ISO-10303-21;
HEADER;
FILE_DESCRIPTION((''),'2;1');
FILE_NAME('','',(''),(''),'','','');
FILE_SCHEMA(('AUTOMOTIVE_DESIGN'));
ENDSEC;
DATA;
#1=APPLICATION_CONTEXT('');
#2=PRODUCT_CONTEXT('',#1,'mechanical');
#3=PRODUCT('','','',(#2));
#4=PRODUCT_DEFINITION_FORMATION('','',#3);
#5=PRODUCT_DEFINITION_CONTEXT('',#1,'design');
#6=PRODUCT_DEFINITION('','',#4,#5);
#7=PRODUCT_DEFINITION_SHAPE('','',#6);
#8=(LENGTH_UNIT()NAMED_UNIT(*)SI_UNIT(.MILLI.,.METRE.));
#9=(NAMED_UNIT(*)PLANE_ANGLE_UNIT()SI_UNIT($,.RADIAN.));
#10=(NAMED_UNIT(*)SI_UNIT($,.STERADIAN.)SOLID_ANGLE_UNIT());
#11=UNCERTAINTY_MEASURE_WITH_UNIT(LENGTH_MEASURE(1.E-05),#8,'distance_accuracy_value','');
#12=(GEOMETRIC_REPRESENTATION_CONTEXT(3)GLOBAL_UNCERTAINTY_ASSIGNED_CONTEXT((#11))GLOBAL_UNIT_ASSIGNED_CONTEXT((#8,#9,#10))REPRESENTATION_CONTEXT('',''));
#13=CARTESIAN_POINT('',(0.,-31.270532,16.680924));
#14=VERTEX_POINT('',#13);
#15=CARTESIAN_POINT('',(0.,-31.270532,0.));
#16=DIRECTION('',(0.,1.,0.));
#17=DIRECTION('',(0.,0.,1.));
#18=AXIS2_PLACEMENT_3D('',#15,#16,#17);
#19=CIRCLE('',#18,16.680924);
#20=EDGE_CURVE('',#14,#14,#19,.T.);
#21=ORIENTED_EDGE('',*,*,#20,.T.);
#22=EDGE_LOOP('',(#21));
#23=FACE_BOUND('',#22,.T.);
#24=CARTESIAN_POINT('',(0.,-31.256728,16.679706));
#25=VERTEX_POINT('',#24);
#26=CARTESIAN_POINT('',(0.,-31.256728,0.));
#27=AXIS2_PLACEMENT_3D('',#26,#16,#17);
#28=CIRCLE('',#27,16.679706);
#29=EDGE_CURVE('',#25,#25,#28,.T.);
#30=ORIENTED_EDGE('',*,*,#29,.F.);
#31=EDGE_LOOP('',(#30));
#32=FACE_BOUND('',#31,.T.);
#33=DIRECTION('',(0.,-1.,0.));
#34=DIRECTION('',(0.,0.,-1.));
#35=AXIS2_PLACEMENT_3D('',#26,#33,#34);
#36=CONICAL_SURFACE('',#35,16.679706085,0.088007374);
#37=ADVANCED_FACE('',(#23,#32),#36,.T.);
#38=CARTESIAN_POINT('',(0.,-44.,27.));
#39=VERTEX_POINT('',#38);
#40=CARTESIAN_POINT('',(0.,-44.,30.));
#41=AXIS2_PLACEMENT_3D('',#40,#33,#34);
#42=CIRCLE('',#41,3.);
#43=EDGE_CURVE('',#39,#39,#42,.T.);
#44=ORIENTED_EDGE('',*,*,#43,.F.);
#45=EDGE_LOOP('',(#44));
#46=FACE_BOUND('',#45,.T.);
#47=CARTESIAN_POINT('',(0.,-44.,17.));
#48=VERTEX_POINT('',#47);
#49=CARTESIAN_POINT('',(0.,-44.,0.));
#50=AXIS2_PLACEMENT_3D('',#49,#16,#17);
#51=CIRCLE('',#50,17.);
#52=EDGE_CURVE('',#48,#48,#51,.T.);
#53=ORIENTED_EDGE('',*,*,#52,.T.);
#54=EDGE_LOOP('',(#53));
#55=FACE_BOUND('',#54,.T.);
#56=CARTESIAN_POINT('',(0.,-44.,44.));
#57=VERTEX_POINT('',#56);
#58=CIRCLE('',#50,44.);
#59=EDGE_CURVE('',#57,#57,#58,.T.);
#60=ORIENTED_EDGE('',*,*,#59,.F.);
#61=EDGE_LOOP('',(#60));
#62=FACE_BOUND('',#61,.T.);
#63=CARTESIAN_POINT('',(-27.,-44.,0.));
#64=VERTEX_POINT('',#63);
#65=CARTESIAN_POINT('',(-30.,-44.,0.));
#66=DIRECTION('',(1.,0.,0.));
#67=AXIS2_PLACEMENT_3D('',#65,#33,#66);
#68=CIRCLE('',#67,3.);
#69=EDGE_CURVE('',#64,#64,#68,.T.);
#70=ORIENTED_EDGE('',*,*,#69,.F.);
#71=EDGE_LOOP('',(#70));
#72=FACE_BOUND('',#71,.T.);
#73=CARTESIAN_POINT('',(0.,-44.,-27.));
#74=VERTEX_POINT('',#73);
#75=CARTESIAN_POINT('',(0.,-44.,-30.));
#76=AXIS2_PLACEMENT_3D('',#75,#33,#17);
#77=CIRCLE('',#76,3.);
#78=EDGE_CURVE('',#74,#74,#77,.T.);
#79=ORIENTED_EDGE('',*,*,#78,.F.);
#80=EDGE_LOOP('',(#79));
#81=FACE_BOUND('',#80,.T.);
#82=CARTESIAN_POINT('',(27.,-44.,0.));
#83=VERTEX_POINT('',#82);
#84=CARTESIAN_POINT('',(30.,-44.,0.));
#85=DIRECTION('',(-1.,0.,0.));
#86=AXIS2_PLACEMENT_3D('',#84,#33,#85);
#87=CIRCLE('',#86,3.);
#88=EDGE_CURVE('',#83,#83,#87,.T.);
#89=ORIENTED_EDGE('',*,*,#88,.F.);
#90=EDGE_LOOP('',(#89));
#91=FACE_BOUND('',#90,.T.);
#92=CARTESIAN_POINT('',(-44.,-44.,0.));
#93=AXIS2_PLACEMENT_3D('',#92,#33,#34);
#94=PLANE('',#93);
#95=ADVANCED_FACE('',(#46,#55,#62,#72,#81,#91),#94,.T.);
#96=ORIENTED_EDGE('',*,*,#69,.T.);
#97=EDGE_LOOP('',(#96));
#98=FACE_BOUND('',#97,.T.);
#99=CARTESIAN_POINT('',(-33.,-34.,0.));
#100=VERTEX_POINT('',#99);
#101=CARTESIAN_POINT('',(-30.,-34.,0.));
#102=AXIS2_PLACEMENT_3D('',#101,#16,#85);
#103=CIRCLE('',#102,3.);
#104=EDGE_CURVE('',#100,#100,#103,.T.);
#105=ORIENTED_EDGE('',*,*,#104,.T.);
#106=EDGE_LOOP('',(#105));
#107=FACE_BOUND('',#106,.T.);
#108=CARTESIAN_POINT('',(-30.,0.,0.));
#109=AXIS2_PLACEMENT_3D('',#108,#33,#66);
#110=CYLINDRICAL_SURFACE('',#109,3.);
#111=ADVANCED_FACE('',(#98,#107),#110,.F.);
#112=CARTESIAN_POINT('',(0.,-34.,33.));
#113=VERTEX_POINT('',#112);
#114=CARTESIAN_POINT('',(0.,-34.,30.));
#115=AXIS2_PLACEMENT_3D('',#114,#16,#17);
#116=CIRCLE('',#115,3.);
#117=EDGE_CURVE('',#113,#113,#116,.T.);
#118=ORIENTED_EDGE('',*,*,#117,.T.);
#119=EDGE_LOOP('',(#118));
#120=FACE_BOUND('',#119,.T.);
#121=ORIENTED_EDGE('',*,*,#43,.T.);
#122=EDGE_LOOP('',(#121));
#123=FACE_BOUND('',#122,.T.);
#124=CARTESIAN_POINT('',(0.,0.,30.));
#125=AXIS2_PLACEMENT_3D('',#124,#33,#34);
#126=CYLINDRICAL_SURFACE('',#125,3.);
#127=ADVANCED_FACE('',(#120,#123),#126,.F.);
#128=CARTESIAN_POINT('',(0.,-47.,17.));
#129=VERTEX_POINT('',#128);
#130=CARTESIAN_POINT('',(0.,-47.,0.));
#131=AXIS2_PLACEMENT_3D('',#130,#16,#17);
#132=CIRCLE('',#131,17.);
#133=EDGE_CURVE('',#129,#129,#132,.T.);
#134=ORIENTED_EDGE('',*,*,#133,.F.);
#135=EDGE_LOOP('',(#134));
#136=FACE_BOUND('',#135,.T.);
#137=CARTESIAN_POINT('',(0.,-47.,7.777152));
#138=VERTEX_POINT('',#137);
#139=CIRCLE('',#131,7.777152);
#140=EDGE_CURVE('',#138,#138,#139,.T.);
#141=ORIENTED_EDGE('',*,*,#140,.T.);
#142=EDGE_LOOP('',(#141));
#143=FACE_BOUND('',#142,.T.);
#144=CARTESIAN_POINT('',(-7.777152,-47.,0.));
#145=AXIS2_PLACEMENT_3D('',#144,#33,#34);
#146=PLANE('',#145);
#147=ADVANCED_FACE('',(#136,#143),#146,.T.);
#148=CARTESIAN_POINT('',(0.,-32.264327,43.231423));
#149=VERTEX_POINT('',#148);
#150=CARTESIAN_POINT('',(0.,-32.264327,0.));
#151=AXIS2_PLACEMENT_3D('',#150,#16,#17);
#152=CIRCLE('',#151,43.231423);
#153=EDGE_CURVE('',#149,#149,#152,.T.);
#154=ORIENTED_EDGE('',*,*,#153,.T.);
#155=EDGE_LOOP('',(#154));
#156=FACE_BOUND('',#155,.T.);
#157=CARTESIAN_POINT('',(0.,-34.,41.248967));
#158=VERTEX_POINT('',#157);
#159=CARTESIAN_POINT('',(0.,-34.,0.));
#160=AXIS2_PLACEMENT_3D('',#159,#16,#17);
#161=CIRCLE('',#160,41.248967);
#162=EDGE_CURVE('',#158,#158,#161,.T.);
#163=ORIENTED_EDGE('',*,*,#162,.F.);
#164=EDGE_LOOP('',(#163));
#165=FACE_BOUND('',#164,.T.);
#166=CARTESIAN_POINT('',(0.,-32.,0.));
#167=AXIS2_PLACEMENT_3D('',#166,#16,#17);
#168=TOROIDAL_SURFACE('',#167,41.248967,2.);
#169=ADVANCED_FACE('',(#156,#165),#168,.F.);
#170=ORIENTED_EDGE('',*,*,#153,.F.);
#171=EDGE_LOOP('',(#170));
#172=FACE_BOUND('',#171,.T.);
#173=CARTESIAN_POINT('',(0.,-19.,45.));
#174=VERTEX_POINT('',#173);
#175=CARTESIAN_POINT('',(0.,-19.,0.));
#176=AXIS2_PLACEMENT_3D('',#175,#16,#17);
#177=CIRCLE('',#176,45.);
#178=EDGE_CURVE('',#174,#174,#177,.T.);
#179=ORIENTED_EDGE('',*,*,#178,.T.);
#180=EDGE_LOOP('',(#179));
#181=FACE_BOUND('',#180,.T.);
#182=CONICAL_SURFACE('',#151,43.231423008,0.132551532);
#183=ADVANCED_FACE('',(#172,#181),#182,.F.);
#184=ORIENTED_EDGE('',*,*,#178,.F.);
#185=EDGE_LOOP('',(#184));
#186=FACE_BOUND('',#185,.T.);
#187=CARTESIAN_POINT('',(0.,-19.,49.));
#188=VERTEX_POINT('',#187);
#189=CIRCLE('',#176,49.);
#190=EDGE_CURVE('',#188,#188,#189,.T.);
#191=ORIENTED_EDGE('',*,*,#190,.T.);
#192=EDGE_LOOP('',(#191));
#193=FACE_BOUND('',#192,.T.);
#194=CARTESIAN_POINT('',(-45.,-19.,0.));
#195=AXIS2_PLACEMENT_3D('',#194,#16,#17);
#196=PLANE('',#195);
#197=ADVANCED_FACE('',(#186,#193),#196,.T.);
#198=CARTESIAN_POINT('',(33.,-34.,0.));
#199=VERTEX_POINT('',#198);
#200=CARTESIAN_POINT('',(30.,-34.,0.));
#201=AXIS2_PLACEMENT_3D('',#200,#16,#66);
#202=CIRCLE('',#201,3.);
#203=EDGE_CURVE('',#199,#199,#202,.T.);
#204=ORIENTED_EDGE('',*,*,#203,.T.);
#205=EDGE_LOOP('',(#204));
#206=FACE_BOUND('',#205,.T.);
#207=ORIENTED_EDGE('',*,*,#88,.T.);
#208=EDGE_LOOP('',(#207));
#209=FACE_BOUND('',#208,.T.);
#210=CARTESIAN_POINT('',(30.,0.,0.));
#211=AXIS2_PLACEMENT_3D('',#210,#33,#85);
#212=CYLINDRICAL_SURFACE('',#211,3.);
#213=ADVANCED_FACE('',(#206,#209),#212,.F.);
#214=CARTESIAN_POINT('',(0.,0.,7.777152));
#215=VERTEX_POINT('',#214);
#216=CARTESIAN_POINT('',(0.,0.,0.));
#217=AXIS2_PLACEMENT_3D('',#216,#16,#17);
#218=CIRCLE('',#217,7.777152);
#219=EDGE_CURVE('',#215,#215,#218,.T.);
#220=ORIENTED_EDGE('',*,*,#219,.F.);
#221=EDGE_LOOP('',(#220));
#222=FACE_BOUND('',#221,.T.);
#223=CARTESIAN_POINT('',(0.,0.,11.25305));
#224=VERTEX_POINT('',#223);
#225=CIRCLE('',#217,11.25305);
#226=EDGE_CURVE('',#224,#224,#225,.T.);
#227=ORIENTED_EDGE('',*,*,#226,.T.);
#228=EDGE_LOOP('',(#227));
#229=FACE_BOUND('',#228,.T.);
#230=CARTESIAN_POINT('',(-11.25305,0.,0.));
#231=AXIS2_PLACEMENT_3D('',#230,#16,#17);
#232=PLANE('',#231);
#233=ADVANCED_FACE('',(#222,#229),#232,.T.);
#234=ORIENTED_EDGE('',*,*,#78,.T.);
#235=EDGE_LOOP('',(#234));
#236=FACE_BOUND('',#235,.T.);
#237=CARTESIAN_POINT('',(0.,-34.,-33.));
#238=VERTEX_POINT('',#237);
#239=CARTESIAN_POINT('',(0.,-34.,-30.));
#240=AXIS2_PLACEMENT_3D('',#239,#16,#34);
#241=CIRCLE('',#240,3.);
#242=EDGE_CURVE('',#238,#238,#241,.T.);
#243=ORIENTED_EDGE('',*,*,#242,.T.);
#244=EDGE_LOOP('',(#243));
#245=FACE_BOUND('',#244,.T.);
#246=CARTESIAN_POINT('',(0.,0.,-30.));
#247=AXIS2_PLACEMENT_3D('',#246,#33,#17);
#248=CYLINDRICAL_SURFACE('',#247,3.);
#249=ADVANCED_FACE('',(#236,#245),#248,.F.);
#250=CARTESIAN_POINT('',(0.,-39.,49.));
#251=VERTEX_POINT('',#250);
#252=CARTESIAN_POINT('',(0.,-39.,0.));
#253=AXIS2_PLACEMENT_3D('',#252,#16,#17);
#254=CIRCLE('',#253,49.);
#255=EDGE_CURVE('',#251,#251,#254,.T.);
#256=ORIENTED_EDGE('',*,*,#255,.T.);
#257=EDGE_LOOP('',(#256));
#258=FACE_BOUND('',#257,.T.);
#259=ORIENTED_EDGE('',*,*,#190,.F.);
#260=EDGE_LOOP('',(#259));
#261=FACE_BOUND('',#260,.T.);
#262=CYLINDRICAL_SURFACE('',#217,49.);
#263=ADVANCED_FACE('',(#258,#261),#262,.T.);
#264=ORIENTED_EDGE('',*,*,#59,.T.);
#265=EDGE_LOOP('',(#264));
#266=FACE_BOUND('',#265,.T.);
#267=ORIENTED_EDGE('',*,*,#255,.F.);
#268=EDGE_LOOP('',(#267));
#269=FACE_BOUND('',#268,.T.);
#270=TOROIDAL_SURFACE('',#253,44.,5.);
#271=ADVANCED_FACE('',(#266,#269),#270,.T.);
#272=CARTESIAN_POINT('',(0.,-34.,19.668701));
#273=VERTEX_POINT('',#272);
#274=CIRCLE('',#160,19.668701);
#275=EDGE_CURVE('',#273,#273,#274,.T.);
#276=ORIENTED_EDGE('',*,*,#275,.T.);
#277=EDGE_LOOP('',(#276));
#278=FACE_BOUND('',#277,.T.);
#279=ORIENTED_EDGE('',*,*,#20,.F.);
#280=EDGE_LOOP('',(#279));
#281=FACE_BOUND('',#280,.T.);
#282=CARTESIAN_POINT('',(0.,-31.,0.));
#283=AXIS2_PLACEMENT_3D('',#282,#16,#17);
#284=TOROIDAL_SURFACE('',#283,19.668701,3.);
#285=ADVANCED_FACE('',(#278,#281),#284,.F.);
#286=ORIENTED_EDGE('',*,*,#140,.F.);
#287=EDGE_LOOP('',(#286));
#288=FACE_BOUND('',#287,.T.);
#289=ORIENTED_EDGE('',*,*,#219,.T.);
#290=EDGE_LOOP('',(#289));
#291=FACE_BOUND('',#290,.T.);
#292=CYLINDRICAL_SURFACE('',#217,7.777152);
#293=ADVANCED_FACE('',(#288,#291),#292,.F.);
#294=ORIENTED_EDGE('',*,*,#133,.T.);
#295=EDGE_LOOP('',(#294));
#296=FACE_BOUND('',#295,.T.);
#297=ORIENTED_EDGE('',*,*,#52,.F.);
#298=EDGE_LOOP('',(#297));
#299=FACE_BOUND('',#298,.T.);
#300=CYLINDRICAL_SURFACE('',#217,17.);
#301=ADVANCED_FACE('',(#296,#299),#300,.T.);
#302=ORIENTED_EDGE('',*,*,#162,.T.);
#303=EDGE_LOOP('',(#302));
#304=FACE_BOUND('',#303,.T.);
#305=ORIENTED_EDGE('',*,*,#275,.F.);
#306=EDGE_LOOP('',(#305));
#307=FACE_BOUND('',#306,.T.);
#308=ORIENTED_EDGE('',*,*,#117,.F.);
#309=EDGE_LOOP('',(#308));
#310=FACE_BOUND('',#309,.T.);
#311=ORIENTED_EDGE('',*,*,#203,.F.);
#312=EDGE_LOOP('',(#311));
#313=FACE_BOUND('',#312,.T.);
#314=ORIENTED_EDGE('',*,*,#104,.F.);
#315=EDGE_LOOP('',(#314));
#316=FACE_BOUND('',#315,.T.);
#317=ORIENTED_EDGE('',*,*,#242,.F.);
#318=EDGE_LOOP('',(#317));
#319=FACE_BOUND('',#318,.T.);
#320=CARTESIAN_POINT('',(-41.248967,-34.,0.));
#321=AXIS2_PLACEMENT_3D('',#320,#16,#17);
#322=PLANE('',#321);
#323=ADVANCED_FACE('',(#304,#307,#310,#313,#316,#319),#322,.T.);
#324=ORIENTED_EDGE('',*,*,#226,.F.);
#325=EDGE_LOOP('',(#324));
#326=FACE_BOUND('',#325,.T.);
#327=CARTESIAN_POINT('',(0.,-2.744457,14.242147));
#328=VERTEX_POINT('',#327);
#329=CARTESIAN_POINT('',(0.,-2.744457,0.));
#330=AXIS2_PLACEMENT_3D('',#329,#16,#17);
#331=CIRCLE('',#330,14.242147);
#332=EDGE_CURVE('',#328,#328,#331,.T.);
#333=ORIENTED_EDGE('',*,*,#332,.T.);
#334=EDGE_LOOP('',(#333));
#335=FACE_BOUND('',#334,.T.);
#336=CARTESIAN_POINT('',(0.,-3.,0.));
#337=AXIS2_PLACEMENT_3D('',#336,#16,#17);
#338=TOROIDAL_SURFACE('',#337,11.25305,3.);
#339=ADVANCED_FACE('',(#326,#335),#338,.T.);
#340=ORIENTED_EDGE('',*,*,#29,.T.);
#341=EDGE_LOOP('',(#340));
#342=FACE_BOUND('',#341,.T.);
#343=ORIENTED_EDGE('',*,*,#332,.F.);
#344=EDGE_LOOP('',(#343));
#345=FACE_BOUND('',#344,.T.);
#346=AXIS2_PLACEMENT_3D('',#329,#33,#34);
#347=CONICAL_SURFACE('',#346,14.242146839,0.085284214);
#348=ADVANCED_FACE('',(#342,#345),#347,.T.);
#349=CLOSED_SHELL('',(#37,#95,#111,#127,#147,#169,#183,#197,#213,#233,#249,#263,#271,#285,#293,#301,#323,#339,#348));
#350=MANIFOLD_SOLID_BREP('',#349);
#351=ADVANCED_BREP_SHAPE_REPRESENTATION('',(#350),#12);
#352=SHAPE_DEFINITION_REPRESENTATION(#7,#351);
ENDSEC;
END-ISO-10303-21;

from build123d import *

# Parameters (mm, degrees)
CUT_EXTRUDE2_START = -45
SKETCH6_R          = 3
CUT_EXTRUDE2_DEPTH = 49
CIRPATTERN2_COUNT  = 4


with BuildPart() as part:
    # Sketch3 → Revolve3 (revolve)
    with BuildSketch(Plane.XY, mode=Mode.PRIVATE) as revolve3_sk:
        with BuildLine():
            Line((-11.253050324, 0), (-7.777152082, 0))
            Line((-7.777152082, 0), (-7.777152082, -47))
            Line((-7.777152082, -47), (-17, -47))
            Line((-17, -47), (-17, -44))
            Line((-17, -44), (-44, -44))
            ThreePointArc((-44, -44), (-47.535533906, -42.535533906), (-49, -39))
            Line((-49, -39), (-49, -19))
            Line((-49, -19), (-45, -19))
            Line((-45, -19), (-43.231423008, -32.26432744))
            ThreePointArc((-43.231423008, -32.26432744), (-42.566416469, -33.504768235), (-41.248967207, -34))
            Line((-41.248967207, -34), (-19.668701252, -34))
            ThreePointArc((-19.668701252, -34), (-17.645287665, -33.214903487), (-16.680924046, -31.270531637))
            Line((-16.680924046, -31.270531637), (-16.679706085, -31.256728077))
            Line((-16.679706085, -31.256728077), (-14.242146839, -2.744457398))
            ThreePointArc((-14.242146839, -2.744457398), (-13.282012151, -0.790177857), (-11.253050324, 0))
        make_face()
    revolve(revolve3_sk.sketch.rotate(Axis((0, 0, 0), (0, -1, 0)), 270), axis=Axis((0, 0, 0), (0, -1, 0)))  # turned: the seam where the file's is

    # Sketch6 → Cut-Extrude2 (cut)
    with BuildSketch(Plane.XZ.offset(44).offset(CUT_EXTRUDE2_START)):
        with Locations(Location((0, 30, 0), (0, 0, 270))):  # turned: the seam where the file's is
            Circle(SKETCH6_R)
    cut_extrude2 = extrude(amount=CUT_EXTRUDE2_DEPTH, mode=Mode.SUBTRACT)

    # CirPattern2: Cut-Extrude2 ×4 about axis
    cirpattern2_axis = Axis((0, 0, 0), (0, 1, 0))
    for i in range(1, CIRPATTERN2_COUNT):
        add(cut_extrude2.rotate(cirpattern2_axis, i * 360 / CIRPATTERN2_COUNT), mode=Mode.SUBTRACT)


solid = part.part
